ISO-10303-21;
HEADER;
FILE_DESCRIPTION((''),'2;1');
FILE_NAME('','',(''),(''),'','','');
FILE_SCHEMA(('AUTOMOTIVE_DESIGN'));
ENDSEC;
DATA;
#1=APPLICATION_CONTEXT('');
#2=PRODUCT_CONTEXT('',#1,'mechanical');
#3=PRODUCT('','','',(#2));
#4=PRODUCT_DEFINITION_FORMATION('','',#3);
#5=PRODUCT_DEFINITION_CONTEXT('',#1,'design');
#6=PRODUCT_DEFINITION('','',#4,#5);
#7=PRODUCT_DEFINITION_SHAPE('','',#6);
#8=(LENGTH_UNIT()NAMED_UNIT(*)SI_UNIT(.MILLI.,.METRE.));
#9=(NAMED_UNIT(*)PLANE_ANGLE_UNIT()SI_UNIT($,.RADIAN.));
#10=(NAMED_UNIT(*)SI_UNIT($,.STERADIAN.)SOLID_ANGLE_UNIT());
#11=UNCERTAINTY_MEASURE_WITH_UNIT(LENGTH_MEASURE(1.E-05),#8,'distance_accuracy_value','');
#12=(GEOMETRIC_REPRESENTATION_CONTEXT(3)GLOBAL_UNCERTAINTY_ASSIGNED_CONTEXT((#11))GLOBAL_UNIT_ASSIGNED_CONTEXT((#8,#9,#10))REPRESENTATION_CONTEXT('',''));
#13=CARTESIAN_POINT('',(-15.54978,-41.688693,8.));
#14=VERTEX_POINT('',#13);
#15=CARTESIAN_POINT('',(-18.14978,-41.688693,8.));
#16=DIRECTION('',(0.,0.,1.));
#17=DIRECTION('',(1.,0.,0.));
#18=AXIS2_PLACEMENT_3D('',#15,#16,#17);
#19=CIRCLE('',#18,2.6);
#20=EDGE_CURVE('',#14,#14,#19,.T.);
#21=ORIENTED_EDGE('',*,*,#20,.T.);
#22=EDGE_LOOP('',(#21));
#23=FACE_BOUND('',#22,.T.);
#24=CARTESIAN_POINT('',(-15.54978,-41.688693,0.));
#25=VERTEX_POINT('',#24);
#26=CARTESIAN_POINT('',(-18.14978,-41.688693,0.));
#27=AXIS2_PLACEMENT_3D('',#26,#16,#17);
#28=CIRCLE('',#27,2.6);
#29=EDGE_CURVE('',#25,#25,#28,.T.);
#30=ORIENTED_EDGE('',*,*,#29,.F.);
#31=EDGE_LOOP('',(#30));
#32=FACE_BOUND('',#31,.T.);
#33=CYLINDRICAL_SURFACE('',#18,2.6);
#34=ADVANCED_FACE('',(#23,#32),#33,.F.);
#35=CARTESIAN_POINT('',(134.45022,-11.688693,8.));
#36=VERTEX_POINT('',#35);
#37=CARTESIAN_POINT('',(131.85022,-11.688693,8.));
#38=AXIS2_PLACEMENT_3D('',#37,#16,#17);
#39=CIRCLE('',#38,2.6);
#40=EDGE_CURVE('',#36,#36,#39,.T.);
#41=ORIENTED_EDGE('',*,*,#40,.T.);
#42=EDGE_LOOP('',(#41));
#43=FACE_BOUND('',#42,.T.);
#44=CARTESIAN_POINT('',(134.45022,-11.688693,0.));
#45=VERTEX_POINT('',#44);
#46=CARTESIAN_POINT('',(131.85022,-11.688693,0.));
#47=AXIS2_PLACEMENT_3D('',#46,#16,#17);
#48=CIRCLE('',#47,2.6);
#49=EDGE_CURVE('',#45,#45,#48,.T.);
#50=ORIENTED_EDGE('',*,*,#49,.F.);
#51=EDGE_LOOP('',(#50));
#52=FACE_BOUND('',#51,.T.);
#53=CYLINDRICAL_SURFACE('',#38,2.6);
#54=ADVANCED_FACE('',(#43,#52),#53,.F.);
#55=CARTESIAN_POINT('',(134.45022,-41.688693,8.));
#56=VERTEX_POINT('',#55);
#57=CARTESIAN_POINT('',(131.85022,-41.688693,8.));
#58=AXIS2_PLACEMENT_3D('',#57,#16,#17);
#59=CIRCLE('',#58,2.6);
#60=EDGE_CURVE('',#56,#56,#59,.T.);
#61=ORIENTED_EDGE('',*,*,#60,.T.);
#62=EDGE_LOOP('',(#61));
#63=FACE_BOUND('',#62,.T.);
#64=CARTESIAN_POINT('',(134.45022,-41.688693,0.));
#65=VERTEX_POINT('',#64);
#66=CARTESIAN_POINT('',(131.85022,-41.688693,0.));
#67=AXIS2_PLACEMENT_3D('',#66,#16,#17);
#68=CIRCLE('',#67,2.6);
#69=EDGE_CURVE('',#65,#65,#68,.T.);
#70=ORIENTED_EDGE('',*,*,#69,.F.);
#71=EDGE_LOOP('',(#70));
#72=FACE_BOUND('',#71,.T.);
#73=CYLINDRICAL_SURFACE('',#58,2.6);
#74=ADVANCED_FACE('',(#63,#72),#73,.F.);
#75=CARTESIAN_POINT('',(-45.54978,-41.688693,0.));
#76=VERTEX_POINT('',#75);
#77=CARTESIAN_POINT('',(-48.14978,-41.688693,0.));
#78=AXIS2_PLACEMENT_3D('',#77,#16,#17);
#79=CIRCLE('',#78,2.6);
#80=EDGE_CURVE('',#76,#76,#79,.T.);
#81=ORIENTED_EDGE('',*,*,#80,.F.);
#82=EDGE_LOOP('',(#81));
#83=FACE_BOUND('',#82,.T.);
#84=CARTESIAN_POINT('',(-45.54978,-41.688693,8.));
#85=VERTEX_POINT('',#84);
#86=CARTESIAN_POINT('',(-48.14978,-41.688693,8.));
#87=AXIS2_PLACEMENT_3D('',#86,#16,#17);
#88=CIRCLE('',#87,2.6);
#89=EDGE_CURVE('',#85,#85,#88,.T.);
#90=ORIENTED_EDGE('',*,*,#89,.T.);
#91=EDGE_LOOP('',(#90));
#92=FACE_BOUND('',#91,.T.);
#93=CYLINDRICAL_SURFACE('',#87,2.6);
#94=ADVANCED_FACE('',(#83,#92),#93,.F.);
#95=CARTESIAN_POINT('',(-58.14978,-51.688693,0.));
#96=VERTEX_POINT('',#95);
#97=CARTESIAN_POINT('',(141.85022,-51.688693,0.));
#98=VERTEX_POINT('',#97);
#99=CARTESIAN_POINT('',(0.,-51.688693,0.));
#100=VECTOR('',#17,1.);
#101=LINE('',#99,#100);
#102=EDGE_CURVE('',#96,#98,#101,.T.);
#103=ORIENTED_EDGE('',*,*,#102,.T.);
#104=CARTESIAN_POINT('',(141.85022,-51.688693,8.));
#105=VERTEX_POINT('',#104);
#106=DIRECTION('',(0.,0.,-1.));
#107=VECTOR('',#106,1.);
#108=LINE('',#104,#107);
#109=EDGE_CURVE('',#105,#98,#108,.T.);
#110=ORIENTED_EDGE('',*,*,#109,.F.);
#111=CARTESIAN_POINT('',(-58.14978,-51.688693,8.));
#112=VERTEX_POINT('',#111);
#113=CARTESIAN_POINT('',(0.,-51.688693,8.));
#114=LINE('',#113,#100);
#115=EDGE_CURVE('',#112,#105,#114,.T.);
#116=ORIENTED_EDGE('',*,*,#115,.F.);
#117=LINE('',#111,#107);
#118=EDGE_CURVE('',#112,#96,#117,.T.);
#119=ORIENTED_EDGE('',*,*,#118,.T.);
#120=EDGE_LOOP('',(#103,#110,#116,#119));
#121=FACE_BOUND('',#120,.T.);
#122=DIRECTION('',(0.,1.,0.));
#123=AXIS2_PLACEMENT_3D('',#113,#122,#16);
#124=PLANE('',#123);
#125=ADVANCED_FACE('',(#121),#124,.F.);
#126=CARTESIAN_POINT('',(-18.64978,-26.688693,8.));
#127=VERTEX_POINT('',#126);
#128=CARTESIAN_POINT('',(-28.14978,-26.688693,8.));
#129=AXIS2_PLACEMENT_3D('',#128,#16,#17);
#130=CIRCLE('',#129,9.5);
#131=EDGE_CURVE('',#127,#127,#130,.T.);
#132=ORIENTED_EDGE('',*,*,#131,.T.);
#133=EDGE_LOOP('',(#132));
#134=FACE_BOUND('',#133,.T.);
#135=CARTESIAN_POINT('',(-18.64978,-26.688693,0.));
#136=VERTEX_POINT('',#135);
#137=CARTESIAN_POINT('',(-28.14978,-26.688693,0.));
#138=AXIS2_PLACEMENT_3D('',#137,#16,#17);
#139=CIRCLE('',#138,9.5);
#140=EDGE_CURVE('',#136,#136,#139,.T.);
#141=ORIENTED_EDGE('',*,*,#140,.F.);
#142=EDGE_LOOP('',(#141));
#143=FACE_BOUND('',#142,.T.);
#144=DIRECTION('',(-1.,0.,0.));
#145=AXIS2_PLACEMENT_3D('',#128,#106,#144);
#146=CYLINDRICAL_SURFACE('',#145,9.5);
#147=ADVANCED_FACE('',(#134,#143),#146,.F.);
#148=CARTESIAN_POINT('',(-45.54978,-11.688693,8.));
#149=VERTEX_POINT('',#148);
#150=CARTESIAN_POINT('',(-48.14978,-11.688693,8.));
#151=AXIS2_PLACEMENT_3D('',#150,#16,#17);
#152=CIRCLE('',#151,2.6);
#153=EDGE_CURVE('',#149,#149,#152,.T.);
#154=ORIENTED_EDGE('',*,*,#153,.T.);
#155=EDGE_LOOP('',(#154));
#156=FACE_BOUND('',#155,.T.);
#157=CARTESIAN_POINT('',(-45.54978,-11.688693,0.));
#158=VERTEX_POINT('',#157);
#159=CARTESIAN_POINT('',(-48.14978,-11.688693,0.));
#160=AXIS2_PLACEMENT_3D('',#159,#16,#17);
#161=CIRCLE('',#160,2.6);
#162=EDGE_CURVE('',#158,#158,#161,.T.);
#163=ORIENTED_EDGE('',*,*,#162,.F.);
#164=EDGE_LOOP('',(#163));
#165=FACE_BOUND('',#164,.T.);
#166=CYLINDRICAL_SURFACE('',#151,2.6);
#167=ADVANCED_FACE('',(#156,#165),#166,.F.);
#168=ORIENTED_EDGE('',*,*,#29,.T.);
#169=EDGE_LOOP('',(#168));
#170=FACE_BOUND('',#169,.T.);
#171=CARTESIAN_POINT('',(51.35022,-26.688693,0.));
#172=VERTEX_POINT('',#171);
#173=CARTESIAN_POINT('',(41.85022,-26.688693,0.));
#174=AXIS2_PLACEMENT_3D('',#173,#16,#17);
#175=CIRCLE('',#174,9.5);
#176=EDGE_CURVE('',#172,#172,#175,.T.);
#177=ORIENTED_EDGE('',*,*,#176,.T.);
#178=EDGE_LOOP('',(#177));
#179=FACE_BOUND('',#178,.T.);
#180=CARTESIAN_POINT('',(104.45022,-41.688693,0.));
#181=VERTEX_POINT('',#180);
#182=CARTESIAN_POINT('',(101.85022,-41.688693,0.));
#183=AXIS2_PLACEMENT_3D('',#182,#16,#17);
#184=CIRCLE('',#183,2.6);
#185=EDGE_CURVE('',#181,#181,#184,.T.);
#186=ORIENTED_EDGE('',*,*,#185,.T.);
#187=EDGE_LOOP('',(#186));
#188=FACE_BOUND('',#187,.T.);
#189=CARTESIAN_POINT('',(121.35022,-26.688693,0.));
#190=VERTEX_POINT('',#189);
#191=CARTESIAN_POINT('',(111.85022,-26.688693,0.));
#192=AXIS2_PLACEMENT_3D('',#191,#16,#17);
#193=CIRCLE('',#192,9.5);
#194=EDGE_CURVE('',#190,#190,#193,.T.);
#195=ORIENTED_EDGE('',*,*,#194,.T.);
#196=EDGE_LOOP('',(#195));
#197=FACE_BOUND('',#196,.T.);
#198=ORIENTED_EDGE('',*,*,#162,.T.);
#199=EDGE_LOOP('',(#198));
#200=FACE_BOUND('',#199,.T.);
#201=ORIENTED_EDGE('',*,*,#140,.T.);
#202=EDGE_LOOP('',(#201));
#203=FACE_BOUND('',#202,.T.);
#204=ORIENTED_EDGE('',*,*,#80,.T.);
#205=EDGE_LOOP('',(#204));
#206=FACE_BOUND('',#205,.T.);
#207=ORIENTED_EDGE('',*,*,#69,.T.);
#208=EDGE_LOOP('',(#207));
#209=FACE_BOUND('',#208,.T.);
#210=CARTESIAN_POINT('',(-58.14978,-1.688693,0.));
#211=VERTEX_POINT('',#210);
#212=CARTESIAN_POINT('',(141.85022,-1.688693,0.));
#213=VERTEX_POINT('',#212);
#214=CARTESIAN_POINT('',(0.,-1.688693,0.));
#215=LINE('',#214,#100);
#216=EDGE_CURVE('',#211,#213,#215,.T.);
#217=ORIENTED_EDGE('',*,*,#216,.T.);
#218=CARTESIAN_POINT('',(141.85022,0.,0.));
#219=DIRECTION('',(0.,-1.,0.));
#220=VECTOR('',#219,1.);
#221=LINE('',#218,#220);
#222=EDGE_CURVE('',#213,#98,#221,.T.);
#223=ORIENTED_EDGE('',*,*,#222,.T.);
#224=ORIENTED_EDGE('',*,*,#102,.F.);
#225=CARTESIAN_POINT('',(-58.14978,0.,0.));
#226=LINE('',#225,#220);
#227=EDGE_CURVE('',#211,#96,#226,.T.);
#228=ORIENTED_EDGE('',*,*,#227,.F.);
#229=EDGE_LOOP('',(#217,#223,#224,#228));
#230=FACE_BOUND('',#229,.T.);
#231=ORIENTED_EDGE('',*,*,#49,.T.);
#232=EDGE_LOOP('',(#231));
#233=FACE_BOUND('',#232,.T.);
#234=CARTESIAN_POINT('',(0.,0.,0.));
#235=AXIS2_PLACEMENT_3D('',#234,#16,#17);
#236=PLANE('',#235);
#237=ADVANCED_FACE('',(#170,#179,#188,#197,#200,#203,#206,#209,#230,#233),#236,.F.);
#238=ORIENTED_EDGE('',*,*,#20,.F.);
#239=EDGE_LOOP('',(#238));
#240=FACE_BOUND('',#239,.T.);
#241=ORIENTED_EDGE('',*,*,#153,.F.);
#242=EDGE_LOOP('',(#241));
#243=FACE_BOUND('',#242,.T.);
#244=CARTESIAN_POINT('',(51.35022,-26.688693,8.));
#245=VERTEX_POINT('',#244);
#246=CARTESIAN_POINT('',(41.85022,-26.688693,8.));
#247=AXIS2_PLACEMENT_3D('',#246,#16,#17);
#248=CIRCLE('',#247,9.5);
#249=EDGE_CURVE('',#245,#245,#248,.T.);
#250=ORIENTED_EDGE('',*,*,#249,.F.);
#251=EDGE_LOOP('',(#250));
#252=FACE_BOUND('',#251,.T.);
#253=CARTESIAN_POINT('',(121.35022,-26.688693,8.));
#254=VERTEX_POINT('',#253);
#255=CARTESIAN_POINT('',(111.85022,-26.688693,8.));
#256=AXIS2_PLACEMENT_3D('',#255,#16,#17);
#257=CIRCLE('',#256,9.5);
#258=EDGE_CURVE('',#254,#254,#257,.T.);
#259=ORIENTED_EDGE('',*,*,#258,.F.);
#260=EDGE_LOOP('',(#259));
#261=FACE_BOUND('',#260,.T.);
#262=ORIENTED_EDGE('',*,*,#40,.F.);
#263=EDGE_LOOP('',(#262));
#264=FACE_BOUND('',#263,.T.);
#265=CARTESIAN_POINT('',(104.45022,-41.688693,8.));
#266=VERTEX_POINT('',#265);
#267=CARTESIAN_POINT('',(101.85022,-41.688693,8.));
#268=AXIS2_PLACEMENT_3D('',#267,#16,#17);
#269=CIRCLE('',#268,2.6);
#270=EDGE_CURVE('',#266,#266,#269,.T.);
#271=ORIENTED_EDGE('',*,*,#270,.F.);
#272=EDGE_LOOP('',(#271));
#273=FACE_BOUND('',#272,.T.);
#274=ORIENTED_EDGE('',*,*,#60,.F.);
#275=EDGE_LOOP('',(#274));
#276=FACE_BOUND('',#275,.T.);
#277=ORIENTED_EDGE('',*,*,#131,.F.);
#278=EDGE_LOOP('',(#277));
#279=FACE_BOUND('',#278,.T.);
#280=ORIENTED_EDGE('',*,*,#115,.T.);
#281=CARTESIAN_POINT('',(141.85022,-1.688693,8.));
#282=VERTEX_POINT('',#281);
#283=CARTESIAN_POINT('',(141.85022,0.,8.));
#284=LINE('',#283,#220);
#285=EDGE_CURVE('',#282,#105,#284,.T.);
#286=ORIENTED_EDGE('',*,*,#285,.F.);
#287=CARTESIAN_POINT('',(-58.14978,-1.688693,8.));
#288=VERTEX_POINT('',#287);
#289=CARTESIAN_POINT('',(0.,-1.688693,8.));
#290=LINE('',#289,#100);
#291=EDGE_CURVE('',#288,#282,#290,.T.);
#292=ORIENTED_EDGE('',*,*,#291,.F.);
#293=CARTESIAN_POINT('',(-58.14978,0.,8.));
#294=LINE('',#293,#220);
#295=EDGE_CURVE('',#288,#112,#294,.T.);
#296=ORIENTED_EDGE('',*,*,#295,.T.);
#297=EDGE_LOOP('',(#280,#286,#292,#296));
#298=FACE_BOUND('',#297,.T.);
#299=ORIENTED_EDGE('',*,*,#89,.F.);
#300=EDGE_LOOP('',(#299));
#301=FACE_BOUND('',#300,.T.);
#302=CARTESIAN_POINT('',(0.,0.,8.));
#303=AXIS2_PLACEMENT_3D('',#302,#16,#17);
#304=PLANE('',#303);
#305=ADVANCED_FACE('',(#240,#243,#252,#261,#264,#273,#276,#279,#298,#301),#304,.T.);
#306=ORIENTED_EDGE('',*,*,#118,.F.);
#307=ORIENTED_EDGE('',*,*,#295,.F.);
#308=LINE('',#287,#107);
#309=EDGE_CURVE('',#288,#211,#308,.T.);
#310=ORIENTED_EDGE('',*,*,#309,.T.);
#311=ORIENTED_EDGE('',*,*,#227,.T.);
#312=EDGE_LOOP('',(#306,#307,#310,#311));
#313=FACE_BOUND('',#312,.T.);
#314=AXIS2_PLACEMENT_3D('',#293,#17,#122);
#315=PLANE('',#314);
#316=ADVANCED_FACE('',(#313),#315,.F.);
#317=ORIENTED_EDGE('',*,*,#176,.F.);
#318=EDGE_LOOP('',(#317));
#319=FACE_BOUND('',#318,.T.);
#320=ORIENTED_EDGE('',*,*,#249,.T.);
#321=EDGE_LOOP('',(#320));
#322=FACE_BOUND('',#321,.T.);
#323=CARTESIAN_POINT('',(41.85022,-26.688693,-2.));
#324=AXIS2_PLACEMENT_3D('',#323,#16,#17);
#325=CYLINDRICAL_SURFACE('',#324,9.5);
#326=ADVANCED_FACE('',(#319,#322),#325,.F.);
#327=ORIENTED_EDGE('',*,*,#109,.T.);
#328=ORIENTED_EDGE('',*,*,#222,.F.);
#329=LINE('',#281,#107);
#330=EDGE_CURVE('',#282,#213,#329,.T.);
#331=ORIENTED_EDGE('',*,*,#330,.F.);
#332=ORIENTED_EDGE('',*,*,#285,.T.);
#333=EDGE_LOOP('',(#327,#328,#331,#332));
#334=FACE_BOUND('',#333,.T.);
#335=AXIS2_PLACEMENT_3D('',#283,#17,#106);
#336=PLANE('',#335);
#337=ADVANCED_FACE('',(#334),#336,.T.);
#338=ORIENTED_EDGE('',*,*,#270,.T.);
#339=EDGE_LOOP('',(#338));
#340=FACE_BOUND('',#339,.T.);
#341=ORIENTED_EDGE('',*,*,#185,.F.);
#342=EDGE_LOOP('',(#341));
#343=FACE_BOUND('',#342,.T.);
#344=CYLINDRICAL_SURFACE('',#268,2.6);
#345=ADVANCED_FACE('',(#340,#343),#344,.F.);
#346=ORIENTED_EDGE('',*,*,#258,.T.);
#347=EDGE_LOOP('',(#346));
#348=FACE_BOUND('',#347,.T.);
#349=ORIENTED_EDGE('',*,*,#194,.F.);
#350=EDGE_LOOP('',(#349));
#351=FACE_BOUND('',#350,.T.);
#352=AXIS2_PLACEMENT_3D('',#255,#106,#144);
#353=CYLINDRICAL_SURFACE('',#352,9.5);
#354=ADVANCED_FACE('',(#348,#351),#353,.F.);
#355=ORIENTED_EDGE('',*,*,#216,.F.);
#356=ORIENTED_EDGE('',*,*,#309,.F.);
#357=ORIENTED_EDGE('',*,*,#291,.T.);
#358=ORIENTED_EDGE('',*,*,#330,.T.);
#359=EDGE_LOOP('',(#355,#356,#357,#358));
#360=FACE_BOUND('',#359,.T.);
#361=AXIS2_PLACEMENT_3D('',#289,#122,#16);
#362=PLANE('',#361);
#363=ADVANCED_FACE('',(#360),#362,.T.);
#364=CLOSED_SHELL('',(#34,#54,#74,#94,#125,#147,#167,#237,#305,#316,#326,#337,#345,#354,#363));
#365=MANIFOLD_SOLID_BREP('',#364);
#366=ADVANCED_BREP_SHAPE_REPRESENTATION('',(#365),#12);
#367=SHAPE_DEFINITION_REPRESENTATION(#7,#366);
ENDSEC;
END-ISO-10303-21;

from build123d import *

# Parameters (mm, degrees)
IZIM1_W                              = 100
IZIM1_H                              = 50
IZIM1_R                              = 2.476303865
IZIM1_R_2                            = 9.5
IZIM1_R_3                            = 2.283039358
Y_KSEKLIK_EKSTR_ZYON1_DEPTH          = 8
M5_HELISARMAL_I_IN_Z_VANA_MATKAB_1_D = 5.2
M5_HELISARMAL_I_IN_Z_VANA_MATKAB_2_D = 5.2
KES_EKSTR_ZYON1_DEPTH                = 10


with BuildPart() as part:
    # Çizim1 → Yükseklik-Ekstrüzyon1 (new body)
    # profile 1 of 6: a face of its own
    with BuildSketch(Plane.XY):
        with Locations((91.850220264, -26.688693098)):
            Rectangle(IZIM1_W, IZIM1_H)
        with Locations((131.850220264, -41.688693098)):
            Circle(IZIM1_R, mode=Mode.SUBTRACT)
        with Locations((111.850220264, -26.688693098)):
            Circle(IZIM1_R_2, mode=Mode.SUBTRACT)
        with Locations((131.850220264, -11.688693098)):
            Circle(IZIM1_R_3, mode=Mode.SUBTRACT)
    # profile 2 of 6: a face of its own
    with BuildSketch(Plane.XY):
        with Locations((-8.149779736, -26.688693098)):
            Rectangle(IZIM1_W, IZIM1_H)
        with Locations((-48.149779736, -41.688693098)):
            Circle(IZIM1_R, mode=Mode.SUBTRACT)
        with Locations((-28.149779736, -26.688693098)):
            Circle(IZIM1_R_2, mode=Mode.SUBTRACT)
        with Locations((-48.149779736, -11.688693098)):
            Circle(IZIM1_R_3, mode=Mode.SUBTRACT)
    # profile 3 of 6: a face of its own
    with BuildSketch(Plane.XY):
        with Locations((-48.149779736, -11.688693098)):
            Circle(IZIM1_R_3)
    # profile 4 of 6: a face of its own
    with BuildSketch(Plane.XY):
        with Locations((-48.149779736, -41.688693098)):
            Circle(IZIM1_R)
    # profile 5 of 6: a face of its own
    with BuildSketch(Plane.XY):
        with Locations((131.850220264, -11.688693098)):
            Circle(IZIM1_R_3)
    # profile 6 of 6: a face of its own
    with BuildSketch(Plane.XY):
        with Locations((131.850220264, -41.688693098)):
            Circle(IZIM1_R)
    extrude(amount=Y_KSEKLIK_EKSTR_ZYON1_DEPTH)

    # M5 Helisarmal için Zıvana matkabı1 (through all)
    with Locations(Plane.XY.offset(8)):
        with Locations((-48.149779736, -11.688693098), (-48.149779736, -41.688693098), (131.850220264, -41.688693098), (131.850220264, -11.688693098)):
            Hole(M5_HELISARMAL_I_IN_Z_VANA_MATKAB_1_D / 2)

    # M5 Helisarmal için Zıvana matkabı2 (through all)
    with Locations(Plane(origin=(-18.149779736, -41.688693098, 8), x_dir=(1, 0, 0), z_dir=(0, 0, 1))):
        with Locations((0, 0), (120, 0)):
            Hole(M5_HELISARMAL_I_IN_Z_VANA_MATKAB_2_D / 2)

    # Çizim7 → Kes-Ekstrüzyon1 (cut)
    with BuildSketch(Plane.XY.offset(8)):
        with BuildLine():
            ThreePointArc((51.350220264, -26.688693098), (48.567734686, -19.971178677), (41.850220264, -17.188693098))
            Line((41.850220264, -17.188693098), (41.850220264, -36.188693098))
            ThreePointArc((41.850220264, -36.188693098), (48.567734686, -33.40620752), (51.350220264, -26.688693098))
        make_face()
        with BuildLine():
            Line((41.850220264, -36.188693098), (41.850220264, -17.188693098))
            ThreePointArc((41.850220264, -17.188693098), (32.350220264, -26.688693098), (41.850220264, -36.188693098))
        make_face()
    extrude(amount=-KES_EKSTR_ZYON1_DEPTH, mode=Mode.SUBTRACT)


solid = part.part
